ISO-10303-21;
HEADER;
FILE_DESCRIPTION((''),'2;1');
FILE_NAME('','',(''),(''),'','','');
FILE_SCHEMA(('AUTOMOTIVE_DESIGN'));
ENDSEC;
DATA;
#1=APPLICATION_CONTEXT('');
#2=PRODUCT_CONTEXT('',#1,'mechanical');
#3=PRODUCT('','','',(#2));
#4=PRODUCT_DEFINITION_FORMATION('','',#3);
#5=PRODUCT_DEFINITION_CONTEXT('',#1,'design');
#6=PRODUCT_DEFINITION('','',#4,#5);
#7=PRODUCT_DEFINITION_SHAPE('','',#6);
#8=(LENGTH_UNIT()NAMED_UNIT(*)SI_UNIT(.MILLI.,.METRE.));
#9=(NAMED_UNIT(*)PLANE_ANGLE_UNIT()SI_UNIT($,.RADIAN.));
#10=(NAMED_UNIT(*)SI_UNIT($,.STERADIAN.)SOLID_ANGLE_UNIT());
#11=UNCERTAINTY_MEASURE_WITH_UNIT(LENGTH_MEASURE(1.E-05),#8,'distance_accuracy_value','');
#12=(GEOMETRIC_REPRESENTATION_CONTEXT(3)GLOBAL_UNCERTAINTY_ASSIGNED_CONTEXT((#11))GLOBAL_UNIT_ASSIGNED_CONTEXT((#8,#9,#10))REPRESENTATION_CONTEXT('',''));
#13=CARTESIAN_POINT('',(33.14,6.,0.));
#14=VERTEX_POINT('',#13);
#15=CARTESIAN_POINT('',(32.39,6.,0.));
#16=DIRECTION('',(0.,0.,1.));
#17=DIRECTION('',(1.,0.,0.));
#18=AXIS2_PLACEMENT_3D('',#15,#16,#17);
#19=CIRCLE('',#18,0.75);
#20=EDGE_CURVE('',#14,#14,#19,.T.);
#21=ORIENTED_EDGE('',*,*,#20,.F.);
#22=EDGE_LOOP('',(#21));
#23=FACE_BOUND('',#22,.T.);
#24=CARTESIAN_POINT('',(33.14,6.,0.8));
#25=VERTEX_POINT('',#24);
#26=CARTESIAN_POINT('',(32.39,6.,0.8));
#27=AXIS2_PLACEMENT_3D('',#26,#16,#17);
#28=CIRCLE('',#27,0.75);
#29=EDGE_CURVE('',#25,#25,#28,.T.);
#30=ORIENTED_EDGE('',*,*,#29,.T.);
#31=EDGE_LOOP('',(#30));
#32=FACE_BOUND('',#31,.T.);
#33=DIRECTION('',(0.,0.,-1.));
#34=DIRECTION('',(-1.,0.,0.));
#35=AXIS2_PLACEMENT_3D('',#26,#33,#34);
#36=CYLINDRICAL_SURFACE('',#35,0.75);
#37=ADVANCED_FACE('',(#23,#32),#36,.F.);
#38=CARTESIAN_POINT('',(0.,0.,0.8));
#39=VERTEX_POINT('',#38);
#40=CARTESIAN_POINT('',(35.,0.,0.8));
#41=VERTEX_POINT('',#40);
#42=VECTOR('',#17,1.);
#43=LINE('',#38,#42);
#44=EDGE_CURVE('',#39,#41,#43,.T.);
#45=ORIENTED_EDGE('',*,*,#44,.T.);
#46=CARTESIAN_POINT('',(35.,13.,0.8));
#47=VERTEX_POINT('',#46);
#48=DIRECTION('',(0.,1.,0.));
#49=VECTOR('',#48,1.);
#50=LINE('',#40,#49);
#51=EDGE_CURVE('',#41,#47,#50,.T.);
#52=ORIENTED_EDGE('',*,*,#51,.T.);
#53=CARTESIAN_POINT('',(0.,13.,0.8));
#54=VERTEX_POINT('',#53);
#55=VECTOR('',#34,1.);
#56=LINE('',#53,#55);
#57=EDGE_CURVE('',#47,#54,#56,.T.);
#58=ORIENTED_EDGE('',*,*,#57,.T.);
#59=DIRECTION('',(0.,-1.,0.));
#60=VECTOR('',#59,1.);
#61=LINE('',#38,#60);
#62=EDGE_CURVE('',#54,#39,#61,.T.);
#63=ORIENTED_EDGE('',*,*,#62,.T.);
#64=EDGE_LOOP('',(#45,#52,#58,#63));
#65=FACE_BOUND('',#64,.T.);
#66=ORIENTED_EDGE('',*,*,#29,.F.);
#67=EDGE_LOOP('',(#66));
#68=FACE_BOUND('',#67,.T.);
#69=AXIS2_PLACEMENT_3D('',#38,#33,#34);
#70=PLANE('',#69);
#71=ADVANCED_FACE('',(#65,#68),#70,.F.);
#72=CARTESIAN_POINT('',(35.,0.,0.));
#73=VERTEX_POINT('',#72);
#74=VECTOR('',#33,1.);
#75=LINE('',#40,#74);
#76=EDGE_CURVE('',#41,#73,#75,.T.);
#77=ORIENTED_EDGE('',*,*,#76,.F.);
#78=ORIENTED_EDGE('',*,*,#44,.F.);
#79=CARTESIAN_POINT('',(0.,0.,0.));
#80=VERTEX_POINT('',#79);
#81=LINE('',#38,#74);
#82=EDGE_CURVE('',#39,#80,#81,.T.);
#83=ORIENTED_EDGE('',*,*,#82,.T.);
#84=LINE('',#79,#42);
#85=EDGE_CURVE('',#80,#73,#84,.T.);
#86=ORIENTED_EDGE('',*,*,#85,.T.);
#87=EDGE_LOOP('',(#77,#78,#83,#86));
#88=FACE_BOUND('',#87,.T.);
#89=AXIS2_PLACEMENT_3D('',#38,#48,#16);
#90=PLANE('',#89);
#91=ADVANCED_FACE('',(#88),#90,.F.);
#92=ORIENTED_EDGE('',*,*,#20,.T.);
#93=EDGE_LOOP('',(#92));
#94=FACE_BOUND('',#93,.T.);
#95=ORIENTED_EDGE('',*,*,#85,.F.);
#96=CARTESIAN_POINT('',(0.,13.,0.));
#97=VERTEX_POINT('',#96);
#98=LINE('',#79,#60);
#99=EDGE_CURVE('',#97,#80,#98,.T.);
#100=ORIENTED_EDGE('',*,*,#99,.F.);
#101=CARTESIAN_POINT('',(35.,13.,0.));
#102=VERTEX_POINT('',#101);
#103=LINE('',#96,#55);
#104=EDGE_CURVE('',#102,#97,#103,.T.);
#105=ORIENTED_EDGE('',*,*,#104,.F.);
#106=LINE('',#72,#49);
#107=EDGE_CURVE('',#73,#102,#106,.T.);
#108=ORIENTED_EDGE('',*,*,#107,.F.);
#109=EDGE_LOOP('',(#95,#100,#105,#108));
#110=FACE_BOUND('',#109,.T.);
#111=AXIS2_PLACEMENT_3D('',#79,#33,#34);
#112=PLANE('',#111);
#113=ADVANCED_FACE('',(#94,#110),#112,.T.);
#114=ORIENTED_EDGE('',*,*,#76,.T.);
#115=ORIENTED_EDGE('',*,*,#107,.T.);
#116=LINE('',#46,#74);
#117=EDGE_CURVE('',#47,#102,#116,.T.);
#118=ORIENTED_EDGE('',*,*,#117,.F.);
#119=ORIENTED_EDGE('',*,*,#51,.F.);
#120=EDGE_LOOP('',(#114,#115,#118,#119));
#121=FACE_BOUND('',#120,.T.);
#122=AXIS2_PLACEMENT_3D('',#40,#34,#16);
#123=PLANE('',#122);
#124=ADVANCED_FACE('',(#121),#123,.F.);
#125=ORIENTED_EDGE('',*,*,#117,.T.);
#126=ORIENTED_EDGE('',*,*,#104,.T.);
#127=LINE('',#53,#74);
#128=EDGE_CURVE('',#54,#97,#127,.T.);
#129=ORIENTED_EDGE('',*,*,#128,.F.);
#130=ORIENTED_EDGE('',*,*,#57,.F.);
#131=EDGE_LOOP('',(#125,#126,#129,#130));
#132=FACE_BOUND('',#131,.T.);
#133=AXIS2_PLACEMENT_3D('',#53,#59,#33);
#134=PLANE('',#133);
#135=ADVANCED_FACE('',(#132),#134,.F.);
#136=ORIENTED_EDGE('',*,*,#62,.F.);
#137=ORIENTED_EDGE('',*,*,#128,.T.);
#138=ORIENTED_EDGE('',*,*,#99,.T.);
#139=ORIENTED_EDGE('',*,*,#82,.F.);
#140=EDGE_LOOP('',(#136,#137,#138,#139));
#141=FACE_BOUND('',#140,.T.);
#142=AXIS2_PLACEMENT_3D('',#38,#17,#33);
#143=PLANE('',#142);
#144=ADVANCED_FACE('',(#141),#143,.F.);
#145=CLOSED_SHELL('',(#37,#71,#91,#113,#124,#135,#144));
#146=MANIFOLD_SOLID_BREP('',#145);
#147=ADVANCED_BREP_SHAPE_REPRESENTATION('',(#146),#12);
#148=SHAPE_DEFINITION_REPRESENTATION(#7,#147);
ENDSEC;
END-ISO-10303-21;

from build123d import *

# Parameters (mm, degrees)
SKETCH1_W           = 35
SKETCH1_H           = 13
SKETCH1_R           = 0.75
BOSS_EXTRUDE1_DEPTH = 0.8


with BuildPart() as part:
    # Sketch1 → Boss-Extrude1 (new body)
    with BuildSketch(Plane.XY):
        with Locations((17.5, 6.5)):
            Rectangle(SKETCH1_W, SKETCH1_H)
        with Locations((32.39, 6)):
            Circle(SKETCH1_R, mode=Mode.SUBTRACT)
    extrude(amount=BOSS_EXTRUDE1_DEPTH)


solid = part.part
